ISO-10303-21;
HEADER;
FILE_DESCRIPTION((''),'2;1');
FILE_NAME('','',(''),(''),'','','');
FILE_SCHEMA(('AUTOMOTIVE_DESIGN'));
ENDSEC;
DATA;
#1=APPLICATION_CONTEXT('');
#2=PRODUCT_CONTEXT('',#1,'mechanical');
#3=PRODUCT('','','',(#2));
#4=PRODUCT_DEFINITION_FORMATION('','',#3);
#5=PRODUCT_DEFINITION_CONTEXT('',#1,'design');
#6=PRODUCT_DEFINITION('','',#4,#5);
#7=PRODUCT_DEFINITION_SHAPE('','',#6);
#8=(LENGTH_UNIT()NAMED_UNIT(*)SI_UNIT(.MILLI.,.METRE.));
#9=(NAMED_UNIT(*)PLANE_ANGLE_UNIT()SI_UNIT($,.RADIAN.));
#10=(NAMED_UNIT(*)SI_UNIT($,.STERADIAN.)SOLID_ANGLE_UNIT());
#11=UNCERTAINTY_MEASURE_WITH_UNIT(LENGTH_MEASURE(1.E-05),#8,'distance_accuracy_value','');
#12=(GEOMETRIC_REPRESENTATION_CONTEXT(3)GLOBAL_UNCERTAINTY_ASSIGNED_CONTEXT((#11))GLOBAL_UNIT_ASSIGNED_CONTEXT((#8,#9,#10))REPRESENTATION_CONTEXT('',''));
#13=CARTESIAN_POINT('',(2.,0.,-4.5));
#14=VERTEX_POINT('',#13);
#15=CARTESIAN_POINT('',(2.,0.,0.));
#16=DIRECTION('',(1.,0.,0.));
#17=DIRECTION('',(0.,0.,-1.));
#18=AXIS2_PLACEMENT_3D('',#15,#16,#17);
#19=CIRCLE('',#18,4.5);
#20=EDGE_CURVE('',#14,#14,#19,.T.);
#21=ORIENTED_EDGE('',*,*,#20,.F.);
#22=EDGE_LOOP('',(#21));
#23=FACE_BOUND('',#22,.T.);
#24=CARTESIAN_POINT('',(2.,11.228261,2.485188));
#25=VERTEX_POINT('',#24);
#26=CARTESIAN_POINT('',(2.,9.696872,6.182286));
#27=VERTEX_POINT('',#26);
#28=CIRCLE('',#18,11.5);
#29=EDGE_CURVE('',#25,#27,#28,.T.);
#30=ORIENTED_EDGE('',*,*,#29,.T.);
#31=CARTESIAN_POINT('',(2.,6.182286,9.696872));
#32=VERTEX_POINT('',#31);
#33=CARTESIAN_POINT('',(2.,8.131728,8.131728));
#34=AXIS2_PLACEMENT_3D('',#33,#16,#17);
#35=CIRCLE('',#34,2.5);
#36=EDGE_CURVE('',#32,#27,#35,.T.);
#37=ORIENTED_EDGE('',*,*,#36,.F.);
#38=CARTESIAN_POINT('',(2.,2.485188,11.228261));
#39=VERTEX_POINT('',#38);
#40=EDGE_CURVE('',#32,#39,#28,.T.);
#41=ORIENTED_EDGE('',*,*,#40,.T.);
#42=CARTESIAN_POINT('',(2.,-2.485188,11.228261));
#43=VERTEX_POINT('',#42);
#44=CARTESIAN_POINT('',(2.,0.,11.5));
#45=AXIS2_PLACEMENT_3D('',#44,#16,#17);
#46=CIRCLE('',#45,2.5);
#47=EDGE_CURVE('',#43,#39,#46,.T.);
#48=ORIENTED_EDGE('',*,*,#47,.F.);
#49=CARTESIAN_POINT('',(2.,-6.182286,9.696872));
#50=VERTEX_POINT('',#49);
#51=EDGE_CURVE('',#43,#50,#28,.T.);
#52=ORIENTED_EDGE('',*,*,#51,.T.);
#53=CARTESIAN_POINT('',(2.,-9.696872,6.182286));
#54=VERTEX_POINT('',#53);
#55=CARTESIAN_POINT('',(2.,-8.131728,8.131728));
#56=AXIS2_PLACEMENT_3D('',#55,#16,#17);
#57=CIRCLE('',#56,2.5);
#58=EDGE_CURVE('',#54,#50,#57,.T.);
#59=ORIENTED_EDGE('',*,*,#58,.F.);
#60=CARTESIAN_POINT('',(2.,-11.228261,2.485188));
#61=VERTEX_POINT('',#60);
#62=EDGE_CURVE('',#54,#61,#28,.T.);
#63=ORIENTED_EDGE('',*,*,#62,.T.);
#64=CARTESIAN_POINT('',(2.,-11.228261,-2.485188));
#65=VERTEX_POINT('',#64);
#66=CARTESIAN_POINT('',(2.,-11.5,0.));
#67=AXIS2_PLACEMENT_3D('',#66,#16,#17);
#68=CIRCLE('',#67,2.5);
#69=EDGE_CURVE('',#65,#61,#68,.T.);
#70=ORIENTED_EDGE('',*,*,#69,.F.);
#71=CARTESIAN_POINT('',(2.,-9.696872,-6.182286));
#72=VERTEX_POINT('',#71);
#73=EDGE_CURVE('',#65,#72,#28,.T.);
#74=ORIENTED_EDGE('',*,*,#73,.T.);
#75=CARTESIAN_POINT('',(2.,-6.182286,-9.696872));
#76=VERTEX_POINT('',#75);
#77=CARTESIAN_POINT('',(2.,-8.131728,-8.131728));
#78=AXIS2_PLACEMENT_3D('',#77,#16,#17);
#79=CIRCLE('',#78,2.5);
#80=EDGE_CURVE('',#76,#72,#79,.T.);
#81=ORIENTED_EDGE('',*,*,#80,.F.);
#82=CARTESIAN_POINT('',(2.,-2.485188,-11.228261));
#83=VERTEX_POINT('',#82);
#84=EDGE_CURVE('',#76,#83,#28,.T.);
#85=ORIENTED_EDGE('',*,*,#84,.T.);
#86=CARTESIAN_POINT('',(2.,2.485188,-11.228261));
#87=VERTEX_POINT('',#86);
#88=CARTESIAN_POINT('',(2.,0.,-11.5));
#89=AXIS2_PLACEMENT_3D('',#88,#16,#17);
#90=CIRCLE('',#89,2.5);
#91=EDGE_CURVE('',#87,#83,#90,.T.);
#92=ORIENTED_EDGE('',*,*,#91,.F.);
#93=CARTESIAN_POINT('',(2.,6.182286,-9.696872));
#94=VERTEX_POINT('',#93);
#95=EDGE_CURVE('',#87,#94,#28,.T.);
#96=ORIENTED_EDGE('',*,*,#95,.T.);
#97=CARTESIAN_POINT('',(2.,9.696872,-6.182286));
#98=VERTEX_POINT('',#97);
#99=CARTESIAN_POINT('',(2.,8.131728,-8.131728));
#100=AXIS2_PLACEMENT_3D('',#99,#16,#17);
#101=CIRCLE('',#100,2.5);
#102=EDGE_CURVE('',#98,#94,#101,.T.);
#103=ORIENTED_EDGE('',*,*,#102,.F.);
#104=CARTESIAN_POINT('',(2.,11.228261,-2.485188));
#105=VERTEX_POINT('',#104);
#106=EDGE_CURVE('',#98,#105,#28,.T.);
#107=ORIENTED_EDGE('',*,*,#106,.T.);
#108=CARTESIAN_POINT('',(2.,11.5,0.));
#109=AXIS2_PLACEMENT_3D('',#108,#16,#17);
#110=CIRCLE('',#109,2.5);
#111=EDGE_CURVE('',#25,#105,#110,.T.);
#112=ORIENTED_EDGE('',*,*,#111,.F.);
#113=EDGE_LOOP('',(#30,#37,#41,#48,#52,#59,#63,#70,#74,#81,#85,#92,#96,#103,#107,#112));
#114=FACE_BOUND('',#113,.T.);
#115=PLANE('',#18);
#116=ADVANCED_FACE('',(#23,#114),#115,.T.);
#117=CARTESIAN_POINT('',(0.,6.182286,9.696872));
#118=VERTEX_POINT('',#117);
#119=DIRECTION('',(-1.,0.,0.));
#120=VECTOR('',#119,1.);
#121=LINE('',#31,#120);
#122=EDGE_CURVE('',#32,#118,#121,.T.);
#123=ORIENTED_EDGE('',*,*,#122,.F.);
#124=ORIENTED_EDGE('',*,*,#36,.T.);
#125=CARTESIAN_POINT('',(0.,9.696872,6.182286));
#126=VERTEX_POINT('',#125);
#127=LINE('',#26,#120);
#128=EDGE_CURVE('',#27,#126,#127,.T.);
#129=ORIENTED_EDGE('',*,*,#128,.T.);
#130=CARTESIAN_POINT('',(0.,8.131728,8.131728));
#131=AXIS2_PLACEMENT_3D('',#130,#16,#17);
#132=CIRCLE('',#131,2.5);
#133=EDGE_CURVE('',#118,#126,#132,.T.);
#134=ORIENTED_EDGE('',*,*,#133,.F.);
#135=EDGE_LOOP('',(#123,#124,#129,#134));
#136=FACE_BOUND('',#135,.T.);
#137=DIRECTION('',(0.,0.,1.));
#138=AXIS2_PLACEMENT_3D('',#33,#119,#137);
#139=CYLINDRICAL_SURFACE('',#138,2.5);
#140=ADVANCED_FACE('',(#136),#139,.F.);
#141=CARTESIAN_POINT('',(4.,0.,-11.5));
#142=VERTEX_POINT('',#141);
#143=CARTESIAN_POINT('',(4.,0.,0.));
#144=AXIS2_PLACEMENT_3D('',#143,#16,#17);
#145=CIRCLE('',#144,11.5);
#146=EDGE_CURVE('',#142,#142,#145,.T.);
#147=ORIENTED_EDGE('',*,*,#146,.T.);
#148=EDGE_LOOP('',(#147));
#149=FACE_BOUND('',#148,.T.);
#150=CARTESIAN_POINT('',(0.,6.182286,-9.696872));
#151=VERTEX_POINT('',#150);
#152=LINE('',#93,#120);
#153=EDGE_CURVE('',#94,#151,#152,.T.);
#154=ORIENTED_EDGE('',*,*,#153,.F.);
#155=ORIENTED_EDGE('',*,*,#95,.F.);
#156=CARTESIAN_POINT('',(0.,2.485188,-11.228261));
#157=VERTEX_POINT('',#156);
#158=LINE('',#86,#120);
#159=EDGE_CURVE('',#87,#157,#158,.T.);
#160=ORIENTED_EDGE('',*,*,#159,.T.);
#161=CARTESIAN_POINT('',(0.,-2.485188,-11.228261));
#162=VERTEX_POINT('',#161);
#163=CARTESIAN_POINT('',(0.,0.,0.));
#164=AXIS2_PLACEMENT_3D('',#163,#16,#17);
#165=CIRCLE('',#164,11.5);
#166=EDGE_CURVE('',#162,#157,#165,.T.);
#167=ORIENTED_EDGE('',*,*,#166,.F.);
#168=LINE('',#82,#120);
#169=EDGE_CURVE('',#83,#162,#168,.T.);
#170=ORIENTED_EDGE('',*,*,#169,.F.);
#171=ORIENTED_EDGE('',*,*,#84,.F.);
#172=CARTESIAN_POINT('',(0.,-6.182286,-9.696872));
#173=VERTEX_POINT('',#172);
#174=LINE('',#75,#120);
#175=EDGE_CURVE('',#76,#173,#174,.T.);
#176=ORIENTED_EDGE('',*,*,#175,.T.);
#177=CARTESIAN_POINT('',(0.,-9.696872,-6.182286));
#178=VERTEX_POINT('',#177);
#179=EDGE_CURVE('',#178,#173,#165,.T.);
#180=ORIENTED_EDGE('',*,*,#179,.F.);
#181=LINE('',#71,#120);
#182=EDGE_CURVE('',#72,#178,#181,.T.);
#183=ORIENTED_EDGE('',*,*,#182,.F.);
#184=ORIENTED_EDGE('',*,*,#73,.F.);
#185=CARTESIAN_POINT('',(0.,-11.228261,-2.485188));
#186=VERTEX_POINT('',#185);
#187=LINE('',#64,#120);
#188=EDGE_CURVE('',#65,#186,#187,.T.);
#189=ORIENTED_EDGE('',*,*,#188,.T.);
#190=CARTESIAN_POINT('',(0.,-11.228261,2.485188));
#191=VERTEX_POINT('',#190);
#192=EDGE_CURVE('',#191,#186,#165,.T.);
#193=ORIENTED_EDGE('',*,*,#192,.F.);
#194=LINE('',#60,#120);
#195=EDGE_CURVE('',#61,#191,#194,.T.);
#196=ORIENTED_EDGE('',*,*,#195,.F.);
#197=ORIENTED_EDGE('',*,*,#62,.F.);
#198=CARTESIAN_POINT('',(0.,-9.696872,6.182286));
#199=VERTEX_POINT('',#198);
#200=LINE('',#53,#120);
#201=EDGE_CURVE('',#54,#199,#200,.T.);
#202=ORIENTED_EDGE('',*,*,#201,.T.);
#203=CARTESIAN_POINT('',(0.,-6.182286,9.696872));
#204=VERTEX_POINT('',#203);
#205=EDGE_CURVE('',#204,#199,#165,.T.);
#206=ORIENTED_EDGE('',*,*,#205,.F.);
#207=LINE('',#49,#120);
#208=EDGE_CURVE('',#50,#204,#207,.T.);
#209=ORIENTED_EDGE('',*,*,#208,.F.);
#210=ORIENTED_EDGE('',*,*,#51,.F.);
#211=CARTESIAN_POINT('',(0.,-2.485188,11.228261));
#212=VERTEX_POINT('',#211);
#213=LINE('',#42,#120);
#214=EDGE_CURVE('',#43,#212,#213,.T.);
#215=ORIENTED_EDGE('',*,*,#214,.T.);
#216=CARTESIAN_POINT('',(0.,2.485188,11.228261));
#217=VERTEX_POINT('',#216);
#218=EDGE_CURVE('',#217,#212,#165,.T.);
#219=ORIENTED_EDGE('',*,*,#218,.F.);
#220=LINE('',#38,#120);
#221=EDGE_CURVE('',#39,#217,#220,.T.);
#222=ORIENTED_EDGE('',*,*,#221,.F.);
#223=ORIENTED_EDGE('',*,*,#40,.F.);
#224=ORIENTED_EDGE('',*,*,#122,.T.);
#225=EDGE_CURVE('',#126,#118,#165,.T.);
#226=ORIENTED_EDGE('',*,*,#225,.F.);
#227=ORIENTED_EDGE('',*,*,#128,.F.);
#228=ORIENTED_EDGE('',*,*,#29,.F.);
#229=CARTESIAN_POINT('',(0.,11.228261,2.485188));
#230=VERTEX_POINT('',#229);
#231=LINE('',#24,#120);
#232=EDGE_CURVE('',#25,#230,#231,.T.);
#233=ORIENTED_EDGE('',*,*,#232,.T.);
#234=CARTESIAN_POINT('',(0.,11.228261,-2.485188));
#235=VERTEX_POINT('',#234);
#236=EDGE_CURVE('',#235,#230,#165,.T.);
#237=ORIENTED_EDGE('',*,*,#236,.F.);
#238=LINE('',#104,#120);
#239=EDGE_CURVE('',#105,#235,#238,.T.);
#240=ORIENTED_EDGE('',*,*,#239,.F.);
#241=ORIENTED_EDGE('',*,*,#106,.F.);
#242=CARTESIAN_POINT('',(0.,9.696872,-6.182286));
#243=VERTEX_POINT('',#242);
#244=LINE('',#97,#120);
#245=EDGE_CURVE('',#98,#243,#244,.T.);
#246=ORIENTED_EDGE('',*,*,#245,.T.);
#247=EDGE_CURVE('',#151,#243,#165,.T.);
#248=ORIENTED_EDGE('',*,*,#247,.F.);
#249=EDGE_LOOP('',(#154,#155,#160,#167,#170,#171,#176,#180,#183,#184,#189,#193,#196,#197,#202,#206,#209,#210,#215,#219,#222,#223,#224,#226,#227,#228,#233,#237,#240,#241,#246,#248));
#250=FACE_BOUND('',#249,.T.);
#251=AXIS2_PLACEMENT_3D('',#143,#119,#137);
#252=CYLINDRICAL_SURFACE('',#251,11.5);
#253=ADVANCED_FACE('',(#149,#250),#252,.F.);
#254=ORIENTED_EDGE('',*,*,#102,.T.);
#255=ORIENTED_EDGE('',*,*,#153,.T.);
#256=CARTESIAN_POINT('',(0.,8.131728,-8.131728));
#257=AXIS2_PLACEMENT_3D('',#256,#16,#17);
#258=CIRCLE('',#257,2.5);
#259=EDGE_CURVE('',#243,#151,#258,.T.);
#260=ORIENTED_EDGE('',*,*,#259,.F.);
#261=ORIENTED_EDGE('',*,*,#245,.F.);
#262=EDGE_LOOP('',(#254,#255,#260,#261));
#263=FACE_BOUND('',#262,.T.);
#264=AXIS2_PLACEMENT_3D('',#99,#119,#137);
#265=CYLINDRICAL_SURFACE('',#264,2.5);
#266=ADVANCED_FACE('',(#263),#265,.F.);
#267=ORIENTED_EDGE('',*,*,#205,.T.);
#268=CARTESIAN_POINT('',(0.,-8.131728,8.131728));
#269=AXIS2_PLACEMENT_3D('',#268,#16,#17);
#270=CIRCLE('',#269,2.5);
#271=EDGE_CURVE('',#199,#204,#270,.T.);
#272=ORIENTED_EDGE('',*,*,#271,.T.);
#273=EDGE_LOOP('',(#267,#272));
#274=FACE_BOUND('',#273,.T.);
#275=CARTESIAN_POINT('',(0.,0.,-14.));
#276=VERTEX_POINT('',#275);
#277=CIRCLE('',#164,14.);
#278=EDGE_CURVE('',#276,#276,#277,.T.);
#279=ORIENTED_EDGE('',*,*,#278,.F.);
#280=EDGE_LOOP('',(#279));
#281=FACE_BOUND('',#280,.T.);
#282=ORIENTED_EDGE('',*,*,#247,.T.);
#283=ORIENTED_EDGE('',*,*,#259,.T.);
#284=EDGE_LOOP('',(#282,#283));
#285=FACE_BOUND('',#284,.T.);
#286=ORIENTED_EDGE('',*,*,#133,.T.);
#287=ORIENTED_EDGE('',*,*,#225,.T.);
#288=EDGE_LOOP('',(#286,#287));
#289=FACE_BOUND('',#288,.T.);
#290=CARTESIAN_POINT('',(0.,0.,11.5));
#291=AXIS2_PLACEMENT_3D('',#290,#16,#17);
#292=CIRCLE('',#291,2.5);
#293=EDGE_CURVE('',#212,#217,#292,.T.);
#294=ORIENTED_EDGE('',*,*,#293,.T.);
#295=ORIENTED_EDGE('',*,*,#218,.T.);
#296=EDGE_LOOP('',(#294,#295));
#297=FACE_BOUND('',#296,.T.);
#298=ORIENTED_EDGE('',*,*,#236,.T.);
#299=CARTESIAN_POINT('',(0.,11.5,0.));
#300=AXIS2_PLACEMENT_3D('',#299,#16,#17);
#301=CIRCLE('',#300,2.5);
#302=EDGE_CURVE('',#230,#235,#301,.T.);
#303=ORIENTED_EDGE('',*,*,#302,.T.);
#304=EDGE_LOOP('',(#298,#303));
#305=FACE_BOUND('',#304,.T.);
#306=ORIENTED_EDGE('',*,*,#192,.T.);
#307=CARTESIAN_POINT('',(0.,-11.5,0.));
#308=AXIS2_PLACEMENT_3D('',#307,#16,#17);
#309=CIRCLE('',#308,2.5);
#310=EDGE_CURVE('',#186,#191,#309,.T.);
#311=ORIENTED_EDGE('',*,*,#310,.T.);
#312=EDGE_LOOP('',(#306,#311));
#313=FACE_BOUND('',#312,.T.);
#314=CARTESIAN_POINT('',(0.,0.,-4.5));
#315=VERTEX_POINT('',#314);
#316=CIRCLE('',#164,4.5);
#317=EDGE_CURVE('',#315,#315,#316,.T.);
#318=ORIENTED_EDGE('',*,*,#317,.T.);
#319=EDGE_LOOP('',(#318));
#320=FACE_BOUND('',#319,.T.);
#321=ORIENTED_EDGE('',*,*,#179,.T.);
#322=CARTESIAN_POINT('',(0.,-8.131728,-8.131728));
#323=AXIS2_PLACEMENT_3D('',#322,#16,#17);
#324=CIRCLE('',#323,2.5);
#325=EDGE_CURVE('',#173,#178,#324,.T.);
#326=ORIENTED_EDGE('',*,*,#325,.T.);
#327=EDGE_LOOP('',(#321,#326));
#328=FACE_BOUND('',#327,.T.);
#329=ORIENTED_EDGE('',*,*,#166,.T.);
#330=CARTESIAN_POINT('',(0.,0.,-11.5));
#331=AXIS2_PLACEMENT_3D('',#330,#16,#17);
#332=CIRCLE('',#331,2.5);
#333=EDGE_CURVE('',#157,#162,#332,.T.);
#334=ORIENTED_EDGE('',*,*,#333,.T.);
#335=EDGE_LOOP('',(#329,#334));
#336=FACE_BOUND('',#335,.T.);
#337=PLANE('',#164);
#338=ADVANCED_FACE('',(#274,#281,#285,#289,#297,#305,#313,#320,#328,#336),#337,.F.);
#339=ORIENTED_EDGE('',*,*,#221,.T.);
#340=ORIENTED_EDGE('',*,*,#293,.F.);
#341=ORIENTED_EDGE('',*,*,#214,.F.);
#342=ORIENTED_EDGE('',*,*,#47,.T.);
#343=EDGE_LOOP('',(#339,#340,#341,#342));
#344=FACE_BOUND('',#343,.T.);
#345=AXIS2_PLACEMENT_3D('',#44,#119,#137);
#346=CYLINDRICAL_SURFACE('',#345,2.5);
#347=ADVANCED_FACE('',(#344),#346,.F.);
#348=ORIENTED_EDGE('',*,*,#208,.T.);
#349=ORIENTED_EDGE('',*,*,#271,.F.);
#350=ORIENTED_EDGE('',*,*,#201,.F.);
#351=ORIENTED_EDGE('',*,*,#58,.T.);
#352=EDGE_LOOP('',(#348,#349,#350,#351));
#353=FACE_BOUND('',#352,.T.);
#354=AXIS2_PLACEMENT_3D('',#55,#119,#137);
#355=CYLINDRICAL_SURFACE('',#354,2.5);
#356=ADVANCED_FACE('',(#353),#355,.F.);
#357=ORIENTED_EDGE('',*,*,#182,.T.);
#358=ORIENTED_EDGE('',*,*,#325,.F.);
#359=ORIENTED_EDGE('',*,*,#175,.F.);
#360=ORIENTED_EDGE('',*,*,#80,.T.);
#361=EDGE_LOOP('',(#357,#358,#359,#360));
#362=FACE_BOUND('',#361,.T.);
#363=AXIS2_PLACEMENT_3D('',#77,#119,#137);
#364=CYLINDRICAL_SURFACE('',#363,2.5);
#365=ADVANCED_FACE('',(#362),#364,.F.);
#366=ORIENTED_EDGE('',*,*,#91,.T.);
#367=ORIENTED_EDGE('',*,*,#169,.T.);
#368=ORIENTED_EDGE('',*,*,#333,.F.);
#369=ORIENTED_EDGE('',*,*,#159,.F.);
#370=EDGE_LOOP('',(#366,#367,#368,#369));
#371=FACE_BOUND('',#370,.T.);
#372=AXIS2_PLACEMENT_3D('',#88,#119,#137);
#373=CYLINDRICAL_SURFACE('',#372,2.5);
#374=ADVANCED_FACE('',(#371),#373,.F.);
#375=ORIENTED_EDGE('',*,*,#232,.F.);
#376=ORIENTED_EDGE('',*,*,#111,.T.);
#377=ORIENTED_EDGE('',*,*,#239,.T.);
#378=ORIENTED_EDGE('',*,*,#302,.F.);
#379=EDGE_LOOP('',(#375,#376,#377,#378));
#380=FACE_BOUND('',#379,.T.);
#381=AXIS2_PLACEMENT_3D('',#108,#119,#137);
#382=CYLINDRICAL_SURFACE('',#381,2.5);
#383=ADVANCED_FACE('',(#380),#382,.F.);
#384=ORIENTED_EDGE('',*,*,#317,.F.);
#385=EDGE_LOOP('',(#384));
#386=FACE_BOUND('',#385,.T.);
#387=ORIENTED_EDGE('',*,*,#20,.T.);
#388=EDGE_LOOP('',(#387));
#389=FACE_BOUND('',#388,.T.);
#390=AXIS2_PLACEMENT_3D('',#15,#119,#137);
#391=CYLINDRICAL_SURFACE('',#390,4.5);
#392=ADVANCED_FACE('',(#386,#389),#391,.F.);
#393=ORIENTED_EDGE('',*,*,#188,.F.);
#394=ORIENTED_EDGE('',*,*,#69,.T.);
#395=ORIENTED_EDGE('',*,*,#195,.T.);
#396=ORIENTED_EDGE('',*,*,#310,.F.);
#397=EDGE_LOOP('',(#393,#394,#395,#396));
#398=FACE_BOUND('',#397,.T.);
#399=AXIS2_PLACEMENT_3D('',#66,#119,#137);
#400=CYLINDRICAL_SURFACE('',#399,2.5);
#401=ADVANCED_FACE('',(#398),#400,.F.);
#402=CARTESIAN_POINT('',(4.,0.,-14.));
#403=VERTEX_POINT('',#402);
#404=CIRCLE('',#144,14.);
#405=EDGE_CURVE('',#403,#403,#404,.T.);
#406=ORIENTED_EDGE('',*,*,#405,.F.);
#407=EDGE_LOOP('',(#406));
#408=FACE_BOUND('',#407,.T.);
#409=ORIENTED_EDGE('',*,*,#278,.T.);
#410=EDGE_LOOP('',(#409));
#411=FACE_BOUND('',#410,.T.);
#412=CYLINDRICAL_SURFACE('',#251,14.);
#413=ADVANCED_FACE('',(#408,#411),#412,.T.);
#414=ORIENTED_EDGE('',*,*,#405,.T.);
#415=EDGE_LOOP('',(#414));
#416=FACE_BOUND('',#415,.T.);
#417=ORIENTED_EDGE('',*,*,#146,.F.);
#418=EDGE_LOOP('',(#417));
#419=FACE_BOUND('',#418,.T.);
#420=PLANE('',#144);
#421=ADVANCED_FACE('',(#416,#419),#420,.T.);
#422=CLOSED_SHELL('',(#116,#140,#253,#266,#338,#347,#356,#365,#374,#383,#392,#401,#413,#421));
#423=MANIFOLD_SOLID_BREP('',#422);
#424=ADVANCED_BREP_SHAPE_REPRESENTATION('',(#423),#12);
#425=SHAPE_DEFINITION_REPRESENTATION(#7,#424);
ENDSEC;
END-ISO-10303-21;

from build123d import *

# Parameters (mm, degrees)
ESBO_O1_R                = 4.5
RESSALTO_EXTRUS_O1_DEPTH = 2
ESBO_O2_R                = 14
ESBO_O2_R_2              = 11.5
RESSALTO_EXTRUS_O2_DEPTH = 2


with BuildPart() as part:
    # Esboço1 → Ressalto-extrusão1 (new body)
    with BuildSketch(Plane(origin=(0, 0, 0), x_dir=(0, 0, -1), z_dir=(1, 0, 0))):
        with BuildLine():
            ThreePointArc((11.22826087, -2.485187688), (9, 0), (11.22826087, 2.485187688))
            ThreePointArc((11.22826087, 2.485187688), (10.624614624, 4.400859472), (9.696872469, 6.182286335))
            ThreePointArc((9.696872469, 6.182286335), (6.363961031, 6.363961031), (6.182286335, 9.696872469))
            ThreePointArc((6.182286335, 9.696872469), (4.400859472, 10.624614624), (2.485187688, 11.22826087))
            ThreePointArc((2.485187688, 11.22826087), (0, 9), (-2.485187688, 11.22826087))
            ThreePointArc((-2.485187688, 11.22826087), (-4.400859472, 10.624614624), (-6.182286335, 9.696872469))
            ThreePointArc((-6.182286335, 9.696872469), (-5.773380668, 8.961304948), (-5.631727984, 8.131727984))
            ThreePointArc((-5.631727984, 8.131727984), (-7.050724101, 5.877525108), (-9.696872469, 6.182286335))
            ThreePointArc((-9.696872469, 6.182286335), (-10.624614624, 4.400859472), (-11.22826087, 2.485187688))
            ThreePointArc((-11.22826087, 2.485187688), (-9.638636545, 1.668929623), (-9, 0))
            ThreePointArc((-9, 0), (-9.638636545, -1.668929623), (-11.22826087, -2.485187688))
            ThreePointArc((-11.22826087, -2.485187688), (-10.624614624, -4.400859472), (-9.696872469, -6.182286335))
            ThreePointArc((-9.696872469, -6.182286335), (-7.050724101, -5.877525108), (-5.631727984, -8.131727984))
            ThreePointArc((-5.631727984, -8.131727984), (-5.773380668, -8.961304948), (-6.182286335, -9.696872469))
            ThreePointArc((-6.182286335, -9.696872469), (-4.400859472, -10.624614624), (-2.485187688, -11.22826087))
            ThreePointArc((-2.485187688, -11.22826087), (0, -9), (2.485187688, -11.22826087))
            ThreePointArc((2.485187688, -11.22826087), (4.400859472, -10.624614624), (6.182286335, -9.696872469))
            ThreePointArc((6.182286335, -9.696872469), (6.363961031, -6.363961031), (9.696872469, -6.182286335))
            ThreePointArc((9.696872469, -6.182286335), (10.624614624, -4.400859472), (11.22826087, -2.485187688))
        make_face()
        Circle(ESBO_O1_R, mode=Mode.SUBTRACT)
    extrude(amount=RESSALTO_EXTRUS_O1_DEPTH)

    # Esboço2 → Ressalto-extrusão2 (add, symmetric)
    with BuildSketch(Plane(origin=(2, 0, 0), x_dir=(0, 0, -1), z_dir=(1, 0, 0))):
        Circle(ESBO_O2_R)
        with Locations(Location((0, 0, 0), (0, 0, 167.519737803))):
            Circle(ESBO_O2_R_2, mode=Mode.SUBTRACT)
    extrude(amount=RESSALTO_EXTRUS_O2_DEPTH, both=True)


solid = part.part
